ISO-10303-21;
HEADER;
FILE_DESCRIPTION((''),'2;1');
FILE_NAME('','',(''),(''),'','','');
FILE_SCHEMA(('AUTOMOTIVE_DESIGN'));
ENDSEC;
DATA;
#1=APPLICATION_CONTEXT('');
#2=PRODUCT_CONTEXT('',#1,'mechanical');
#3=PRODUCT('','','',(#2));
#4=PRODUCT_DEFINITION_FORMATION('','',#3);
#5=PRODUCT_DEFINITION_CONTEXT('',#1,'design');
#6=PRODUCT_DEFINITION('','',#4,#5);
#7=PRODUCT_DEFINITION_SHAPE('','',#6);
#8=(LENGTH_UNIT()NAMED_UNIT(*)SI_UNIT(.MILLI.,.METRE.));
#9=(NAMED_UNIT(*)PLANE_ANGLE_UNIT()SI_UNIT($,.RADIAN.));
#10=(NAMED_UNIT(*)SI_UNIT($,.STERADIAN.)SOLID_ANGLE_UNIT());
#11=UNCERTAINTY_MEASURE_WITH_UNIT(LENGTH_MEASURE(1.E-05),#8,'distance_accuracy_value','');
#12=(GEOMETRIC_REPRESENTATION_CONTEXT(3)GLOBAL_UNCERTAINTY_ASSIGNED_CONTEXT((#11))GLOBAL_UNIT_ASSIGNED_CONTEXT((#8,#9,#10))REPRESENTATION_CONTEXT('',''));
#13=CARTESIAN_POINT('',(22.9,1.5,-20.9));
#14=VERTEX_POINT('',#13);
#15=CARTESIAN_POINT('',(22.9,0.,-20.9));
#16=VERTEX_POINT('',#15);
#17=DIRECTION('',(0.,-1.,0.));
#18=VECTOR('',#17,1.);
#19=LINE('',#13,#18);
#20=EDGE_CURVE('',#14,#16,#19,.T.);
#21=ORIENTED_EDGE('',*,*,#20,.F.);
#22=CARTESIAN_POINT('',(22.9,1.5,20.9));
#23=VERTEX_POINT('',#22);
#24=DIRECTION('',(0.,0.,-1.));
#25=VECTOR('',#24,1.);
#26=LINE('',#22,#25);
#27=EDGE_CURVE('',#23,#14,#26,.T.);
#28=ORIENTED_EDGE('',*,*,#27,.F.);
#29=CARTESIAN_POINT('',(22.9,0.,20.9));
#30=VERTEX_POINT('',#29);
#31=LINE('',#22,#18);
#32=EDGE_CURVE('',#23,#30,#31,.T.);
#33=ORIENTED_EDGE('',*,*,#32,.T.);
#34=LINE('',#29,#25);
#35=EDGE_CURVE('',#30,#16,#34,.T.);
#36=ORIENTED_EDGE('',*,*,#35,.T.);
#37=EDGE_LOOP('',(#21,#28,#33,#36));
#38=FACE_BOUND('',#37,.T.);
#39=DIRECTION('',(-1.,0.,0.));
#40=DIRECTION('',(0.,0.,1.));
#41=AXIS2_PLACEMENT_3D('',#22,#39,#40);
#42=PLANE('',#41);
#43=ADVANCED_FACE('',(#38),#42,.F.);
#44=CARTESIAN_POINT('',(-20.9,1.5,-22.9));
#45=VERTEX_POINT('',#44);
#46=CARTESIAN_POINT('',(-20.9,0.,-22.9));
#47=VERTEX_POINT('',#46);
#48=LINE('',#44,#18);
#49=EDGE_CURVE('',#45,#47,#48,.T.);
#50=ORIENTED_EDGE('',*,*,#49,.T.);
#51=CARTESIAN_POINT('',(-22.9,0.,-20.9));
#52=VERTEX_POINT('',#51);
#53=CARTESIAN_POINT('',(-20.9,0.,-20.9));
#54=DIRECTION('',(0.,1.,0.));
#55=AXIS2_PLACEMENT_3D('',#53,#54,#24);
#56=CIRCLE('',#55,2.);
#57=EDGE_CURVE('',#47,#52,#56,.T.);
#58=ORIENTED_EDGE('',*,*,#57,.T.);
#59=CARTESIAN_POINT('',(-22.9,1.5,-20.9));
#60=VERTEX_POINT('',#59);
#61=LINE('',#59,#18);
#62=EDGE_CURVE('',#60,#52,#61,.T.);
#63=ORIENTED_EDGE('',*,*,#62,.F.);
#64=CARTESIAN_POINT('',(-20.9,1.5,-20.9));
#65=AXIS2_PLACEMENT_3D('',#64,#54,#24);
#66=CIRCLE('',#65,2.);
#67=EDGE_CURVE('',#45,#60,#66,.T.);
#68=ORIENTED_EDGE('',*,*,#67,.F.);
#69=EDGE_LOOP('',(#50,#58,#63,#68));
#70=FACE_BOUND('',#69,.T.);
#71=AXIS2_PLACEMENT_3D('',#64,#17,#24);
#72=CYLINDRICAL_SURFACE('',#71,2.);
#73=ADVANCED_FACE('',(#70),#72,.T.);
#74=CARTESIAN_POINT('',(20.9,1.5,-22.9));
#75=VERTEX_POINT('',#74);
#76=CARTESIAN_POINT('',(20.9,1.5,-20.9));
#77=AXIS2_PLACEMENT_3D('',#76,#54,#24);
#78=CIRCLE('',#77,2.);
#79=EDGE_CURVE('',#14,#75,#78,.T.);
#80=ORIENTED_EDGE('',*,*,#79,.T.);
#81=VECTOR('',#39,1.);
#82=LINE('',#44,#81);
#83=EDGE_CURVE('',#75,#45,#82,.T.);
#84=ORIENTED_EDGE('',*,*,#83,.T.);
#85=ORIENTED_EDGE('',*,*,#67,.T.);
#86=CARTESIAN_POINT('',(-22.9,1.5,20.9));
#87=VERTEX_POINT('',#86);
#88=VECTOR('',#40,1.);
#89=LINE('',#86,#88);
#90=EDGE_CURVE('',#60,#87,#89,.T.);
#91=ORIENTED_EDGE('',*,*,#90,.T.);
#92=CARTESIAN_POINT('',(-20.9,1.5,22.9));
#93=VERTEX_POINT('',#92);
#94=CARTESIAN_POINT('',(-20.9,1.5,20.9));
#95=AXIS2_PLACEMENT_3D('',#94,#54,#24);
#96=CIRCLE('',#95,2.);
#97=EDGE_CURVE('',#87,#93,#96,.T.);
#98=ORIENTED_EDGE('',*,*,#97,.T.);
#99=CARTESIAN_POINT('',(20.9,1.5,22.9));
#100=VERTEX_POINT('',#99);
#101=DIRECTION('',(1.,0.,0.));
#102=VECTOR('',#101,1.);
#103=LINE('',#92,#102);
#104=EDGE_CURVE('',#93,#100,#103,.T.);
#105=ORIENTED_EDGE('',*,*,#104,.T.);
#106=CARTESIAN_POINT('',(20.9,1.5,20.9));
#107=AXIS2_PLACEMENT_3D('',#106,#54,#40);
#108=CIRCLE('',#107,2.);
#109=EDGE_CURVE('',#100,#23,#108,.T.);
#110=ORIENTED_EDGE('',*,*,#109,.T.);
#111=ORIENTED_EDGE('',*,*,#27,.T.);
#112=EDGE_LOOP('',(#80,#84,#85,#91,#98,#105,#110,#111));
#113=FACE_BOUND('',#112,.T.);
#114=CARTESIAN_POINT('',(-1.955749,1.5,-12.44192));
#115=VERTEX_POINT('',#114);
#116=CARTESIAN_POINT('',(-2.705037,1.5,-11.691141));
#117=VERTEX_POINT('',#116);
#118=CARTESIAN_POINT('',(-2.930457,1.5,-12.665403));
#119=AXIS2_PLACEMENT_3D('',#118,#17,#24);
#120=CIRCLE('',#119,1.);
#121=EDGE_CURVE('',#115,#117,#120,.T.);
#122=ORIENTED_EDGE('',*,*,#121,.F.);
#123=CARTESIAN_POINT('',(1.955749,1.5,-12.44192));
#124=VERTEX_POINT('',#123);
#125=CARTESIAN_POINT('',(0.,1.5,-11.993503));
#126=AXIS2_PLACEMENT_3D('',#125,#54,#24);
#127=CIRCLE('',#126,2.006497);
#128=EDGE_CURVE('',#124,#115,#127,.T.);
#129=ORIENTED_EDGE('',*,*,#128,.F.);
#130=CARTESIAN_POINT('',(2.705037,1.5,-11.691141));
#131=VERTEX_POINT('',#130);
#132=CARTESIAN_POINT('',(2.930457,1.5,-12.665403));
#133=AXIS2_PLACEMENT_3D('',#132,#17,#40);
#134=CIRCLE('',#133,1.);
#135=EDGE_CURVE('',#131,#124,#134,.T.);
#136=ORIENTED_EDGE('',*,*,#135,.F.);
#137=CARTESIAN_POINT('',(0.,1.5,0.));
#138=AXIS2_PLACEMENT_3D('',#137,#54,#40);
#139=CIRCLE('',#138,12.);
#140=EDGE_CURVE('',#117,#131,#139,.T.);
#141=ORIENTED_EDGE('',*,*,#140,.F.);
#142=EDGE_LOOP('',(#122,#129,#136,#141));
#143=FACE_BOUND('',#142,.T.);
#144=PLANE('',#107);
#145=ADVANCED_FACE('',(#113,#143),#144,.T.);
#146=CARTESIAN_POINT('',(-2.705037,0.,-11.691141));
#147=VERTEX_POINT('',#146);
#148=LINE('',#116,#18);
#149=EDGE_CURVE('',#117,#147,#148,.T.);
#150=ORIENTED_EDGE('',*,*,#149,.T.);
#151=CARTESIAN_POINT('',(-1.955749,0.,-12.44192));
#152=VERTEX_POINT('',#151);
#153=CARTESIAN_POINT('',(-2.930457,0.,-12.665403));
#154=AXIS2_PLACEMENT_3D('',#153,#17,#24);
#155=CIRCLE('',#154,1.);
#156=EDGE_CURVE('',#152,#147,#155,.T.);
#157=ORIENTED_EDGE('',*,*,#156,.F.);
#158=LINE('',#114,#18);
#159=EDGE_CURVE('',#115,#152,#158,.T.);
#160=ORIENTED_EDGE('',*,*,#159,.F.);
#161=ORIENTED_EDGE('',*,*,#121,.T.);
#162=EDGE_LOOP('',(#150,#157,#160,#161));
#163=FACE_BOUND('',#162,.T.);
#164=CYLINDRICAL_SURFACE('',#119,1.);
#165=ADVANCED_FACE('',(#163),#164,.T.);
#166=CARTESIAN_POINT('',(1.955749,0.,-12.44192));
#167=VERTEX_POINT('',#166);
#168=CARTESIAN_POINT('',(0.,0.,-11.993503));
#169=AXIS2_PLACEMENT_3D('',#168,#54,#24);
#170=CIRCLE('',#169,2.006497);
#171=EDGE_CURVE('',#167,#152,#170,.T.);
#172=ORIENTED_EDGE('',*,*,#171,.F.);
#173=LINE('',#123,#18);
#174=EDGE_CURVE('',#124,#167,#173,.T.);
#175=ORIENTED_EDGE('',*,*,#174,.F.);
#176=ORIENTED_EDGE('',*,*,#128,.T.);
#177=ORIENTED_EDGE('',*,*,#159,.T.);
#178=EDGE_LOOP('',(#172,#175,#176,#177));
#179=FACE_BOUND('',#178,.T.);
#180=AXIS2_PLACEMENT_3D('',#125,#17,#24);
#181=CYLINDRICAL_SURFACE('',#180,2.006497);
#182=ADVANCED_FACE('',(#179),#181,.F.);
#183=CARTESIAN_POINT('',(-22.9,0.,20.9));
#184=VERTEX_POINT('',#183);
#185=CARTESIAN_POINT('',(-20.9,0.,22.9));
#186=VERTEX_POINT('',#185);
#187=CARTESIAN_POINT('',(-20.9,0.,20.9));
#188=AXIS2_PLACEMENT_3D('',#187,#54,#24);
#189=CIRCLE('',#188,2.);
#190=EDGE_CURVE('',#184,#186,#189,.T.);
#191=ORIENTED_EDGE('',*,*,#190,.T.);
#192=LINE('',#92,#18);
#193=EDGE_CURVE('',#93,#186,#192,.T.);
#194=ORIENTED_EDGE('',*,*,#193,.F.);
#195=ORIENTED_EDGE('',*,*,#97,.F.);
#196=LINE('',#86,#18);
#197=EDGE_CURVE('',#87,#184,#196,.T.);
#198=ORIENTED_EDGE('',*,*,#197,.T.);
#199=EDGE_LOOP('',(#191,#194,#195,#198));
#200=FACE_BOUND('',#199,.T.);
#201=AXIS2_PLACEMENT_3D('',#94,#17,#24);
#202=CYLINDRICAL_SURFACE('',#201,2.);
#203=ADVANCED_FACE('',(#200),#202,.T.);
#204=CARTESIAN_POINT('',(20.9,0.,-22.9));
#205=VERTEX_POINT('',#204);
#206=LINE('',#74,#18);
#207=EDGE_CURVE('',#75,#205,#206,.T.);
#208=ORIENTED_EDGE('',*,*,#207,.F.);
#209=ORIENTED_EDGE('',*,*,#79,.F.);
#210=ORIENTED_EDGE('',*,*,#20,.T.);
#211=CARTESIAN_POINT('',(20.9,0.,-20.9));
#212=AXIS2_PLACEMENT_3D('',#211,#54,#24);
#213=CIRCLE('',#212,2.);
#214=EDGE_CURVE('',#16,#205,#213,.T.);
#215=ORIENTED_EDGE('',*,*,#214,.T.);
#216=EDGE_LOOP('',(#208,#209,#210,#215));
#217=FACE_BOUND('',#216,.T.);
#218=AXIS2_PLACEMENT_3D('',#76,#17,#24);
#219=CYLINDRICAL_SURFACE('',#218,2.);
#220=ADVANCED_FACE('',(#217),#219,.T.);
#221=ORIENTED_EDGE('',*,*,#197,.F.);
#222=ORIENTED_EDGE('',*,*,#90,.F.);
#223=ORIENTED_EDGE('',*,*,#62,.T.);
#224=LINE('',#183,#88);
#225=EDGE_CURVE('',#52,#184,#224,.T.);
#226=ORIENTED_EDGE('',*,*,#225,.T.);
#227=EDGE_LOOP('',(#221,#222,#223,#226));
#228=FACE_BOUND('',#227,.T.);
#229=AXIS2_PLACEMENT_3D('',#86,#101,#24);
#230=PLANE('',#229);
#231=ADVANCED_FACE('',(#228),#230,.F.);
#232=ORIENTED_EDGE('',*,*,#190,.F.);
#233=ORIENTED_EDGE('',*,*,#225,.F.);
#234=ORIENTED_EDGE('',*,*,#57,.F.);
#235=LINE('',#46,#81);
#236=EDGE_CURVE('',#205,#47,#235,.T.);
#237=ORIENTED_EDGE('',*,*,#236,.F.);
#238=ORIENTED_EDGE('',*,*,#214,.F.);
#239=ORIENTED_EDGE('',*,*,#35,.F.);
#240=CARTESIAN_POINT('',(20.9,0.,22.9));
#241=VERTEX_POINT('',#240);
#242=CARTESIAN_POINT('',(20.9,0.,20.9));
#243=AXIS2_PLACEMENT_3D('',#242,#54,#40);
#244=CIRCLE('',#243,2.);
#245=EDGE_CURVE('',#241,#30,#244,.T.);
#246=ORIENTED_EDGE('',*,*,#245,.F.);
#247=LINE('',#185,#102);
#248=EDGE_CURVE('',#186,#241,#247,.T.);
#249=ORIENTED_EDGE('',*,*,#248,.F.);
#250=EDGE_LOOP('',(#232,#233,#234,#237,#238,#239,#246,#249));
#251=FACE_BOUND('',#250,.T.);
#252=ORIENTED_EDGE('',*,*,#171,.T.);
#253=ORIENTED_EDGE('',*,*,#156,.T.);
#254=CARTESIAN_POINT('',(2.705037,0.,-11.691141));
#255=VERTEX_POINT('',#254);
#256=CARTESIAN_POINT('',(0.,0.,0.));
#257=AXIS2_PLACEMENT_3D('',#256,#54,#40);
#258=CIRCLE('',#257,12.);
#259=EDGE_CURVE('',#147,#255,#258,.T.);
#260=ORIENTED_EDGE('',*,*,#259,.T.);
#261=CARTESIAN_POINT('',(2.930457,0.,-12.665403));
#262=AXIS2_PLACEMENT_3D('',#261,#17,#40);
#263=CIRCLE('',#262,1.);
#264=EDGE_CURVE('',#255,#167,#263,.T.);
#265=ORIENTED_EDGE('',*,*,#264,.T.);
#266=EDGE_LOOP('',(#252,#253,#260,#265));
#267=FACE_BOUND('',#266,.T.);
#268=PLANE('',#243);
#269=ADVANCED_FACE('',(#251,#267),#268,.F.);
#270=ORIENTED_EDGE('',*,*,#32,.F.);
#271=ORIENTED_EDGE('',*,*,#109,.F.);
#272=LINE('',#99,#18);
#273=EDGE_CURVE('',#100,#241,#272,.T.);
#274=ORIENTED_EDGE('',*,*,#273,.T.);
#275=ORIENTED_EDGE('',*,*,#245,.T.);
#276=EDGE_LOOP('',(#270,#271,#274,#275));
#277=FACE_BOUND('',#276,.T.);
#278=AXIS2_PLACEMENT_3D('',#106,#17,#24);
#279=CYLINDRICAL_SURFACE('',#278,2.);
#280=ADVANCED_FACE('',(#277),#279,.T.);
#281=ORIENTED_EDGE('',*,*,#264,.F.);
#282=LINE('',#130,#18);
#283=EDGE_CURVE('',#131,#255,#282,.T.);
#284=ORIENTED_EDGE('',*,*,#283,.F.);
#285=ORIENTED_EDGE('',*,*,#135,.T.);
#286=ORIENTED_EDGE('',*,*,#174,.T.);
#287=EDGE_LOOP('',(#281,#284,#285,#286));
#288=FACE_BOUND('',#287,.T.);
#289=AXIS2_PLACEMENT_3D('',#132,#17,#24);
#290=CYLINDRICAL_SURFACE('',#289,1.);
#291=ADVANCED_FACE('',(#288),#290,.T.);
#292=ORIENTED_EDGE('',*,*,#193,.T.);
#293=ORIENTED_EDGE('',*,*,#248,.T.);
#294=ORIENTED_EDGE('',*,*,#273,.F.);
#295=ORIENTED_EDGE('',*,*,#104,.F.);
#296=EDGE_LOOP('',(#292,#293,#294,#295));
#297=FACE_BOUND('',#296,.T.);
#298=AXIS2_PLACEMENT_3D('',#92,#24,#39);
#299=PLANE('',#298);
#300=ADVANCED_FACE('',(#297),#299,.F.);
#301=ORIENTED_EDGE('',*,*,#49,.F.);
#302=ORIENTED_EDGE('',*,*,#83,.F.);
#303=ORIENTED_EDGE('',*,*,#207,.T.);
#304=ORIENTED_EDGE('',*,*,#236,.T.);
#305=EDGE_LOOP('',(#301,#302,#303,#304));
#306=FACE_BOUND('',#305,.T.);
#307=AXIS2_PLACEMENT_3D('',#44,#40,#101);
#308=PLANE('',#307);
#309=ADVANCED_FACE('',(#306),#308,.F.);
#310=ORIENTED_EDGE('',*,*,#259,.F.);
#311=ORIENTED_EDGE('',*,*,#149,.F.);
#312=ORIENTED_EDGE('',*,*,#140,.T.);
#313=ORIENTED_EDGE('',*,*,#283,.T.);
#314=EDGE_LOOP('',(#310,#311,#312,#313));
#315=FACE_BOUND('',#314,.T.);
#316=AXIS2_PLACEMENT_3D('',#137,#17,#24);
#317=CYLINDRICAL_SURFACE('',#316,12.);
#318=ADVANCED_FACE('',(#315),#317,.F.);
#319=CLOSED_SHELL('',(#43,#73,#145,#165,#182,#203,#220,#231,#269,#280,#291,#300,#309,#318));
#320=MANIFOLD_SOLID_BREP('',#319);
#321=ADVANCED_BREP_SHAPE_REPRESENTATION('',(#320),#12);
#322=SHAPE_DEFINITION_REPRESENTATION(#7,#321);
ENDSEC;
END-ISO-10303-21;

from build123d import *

# Parameters (mm, degrees)
Y_KSEKLIK_EKSTR_ZYON1_DEPTH = 1.5


with BuildPart() as part:
    # Çizim1 → Yükseklik-Ekstrüzyon1 (new body)
    with BuildSketch(Plane(origin=(0, 0, 0), x_dir=(1, 0, 0), z_dir=(0, 1, 0))):
        with BuildLine():
            Line((-20.9, -22.9), (20.9, -22.9))
            ThreePointArc((20.9, -22.9), (22.314213562, -22.314213562), (22.9, -20.9))
            Line((22.9, -20.9), (22.9, 20.9))
            ThreePointArc((22.9, 20.9), (22.314213562, 22.314213562), (20.9, 22.9))
            Line((20.9, 22.9), (-20.9, 22.9))
            ThreePointArc((-20.9, 22.9), (-22.314213562, 22.314213562), (-22.9, 20.9))
            Line((-22.9, 20.9), (-22.9, -20.9))
            ThreePointArc((-22.9, -20.9), (-22.314213562, -22.314213562), (-20.9, -22.9))
        make_face()
        with BuildLine():
            ThreePointArc((-2.705036995, 11.691140871), (0, -12), (2.705036995, 11.691140871))
            ThreePointArc((2.705036995, 11.691140871), (2.222647508, 11.958998982), (1.955748834, 12.441919973))
            ThreePointArc((1.955748834, 12.441919973), (0, 14), (-1.955748834, 12.441919973))
            ThreePointArc((-1.955748834, 12.441919973), (-2.222647508, 11.958998982), (-2.705036995, 11.691140871))
        make_face(mode=Mode.SUBTRACT)
    extrude(amount=Y_KSEKLIK_EKSTR_ZYON1_DEPTH)


solid = part.part
